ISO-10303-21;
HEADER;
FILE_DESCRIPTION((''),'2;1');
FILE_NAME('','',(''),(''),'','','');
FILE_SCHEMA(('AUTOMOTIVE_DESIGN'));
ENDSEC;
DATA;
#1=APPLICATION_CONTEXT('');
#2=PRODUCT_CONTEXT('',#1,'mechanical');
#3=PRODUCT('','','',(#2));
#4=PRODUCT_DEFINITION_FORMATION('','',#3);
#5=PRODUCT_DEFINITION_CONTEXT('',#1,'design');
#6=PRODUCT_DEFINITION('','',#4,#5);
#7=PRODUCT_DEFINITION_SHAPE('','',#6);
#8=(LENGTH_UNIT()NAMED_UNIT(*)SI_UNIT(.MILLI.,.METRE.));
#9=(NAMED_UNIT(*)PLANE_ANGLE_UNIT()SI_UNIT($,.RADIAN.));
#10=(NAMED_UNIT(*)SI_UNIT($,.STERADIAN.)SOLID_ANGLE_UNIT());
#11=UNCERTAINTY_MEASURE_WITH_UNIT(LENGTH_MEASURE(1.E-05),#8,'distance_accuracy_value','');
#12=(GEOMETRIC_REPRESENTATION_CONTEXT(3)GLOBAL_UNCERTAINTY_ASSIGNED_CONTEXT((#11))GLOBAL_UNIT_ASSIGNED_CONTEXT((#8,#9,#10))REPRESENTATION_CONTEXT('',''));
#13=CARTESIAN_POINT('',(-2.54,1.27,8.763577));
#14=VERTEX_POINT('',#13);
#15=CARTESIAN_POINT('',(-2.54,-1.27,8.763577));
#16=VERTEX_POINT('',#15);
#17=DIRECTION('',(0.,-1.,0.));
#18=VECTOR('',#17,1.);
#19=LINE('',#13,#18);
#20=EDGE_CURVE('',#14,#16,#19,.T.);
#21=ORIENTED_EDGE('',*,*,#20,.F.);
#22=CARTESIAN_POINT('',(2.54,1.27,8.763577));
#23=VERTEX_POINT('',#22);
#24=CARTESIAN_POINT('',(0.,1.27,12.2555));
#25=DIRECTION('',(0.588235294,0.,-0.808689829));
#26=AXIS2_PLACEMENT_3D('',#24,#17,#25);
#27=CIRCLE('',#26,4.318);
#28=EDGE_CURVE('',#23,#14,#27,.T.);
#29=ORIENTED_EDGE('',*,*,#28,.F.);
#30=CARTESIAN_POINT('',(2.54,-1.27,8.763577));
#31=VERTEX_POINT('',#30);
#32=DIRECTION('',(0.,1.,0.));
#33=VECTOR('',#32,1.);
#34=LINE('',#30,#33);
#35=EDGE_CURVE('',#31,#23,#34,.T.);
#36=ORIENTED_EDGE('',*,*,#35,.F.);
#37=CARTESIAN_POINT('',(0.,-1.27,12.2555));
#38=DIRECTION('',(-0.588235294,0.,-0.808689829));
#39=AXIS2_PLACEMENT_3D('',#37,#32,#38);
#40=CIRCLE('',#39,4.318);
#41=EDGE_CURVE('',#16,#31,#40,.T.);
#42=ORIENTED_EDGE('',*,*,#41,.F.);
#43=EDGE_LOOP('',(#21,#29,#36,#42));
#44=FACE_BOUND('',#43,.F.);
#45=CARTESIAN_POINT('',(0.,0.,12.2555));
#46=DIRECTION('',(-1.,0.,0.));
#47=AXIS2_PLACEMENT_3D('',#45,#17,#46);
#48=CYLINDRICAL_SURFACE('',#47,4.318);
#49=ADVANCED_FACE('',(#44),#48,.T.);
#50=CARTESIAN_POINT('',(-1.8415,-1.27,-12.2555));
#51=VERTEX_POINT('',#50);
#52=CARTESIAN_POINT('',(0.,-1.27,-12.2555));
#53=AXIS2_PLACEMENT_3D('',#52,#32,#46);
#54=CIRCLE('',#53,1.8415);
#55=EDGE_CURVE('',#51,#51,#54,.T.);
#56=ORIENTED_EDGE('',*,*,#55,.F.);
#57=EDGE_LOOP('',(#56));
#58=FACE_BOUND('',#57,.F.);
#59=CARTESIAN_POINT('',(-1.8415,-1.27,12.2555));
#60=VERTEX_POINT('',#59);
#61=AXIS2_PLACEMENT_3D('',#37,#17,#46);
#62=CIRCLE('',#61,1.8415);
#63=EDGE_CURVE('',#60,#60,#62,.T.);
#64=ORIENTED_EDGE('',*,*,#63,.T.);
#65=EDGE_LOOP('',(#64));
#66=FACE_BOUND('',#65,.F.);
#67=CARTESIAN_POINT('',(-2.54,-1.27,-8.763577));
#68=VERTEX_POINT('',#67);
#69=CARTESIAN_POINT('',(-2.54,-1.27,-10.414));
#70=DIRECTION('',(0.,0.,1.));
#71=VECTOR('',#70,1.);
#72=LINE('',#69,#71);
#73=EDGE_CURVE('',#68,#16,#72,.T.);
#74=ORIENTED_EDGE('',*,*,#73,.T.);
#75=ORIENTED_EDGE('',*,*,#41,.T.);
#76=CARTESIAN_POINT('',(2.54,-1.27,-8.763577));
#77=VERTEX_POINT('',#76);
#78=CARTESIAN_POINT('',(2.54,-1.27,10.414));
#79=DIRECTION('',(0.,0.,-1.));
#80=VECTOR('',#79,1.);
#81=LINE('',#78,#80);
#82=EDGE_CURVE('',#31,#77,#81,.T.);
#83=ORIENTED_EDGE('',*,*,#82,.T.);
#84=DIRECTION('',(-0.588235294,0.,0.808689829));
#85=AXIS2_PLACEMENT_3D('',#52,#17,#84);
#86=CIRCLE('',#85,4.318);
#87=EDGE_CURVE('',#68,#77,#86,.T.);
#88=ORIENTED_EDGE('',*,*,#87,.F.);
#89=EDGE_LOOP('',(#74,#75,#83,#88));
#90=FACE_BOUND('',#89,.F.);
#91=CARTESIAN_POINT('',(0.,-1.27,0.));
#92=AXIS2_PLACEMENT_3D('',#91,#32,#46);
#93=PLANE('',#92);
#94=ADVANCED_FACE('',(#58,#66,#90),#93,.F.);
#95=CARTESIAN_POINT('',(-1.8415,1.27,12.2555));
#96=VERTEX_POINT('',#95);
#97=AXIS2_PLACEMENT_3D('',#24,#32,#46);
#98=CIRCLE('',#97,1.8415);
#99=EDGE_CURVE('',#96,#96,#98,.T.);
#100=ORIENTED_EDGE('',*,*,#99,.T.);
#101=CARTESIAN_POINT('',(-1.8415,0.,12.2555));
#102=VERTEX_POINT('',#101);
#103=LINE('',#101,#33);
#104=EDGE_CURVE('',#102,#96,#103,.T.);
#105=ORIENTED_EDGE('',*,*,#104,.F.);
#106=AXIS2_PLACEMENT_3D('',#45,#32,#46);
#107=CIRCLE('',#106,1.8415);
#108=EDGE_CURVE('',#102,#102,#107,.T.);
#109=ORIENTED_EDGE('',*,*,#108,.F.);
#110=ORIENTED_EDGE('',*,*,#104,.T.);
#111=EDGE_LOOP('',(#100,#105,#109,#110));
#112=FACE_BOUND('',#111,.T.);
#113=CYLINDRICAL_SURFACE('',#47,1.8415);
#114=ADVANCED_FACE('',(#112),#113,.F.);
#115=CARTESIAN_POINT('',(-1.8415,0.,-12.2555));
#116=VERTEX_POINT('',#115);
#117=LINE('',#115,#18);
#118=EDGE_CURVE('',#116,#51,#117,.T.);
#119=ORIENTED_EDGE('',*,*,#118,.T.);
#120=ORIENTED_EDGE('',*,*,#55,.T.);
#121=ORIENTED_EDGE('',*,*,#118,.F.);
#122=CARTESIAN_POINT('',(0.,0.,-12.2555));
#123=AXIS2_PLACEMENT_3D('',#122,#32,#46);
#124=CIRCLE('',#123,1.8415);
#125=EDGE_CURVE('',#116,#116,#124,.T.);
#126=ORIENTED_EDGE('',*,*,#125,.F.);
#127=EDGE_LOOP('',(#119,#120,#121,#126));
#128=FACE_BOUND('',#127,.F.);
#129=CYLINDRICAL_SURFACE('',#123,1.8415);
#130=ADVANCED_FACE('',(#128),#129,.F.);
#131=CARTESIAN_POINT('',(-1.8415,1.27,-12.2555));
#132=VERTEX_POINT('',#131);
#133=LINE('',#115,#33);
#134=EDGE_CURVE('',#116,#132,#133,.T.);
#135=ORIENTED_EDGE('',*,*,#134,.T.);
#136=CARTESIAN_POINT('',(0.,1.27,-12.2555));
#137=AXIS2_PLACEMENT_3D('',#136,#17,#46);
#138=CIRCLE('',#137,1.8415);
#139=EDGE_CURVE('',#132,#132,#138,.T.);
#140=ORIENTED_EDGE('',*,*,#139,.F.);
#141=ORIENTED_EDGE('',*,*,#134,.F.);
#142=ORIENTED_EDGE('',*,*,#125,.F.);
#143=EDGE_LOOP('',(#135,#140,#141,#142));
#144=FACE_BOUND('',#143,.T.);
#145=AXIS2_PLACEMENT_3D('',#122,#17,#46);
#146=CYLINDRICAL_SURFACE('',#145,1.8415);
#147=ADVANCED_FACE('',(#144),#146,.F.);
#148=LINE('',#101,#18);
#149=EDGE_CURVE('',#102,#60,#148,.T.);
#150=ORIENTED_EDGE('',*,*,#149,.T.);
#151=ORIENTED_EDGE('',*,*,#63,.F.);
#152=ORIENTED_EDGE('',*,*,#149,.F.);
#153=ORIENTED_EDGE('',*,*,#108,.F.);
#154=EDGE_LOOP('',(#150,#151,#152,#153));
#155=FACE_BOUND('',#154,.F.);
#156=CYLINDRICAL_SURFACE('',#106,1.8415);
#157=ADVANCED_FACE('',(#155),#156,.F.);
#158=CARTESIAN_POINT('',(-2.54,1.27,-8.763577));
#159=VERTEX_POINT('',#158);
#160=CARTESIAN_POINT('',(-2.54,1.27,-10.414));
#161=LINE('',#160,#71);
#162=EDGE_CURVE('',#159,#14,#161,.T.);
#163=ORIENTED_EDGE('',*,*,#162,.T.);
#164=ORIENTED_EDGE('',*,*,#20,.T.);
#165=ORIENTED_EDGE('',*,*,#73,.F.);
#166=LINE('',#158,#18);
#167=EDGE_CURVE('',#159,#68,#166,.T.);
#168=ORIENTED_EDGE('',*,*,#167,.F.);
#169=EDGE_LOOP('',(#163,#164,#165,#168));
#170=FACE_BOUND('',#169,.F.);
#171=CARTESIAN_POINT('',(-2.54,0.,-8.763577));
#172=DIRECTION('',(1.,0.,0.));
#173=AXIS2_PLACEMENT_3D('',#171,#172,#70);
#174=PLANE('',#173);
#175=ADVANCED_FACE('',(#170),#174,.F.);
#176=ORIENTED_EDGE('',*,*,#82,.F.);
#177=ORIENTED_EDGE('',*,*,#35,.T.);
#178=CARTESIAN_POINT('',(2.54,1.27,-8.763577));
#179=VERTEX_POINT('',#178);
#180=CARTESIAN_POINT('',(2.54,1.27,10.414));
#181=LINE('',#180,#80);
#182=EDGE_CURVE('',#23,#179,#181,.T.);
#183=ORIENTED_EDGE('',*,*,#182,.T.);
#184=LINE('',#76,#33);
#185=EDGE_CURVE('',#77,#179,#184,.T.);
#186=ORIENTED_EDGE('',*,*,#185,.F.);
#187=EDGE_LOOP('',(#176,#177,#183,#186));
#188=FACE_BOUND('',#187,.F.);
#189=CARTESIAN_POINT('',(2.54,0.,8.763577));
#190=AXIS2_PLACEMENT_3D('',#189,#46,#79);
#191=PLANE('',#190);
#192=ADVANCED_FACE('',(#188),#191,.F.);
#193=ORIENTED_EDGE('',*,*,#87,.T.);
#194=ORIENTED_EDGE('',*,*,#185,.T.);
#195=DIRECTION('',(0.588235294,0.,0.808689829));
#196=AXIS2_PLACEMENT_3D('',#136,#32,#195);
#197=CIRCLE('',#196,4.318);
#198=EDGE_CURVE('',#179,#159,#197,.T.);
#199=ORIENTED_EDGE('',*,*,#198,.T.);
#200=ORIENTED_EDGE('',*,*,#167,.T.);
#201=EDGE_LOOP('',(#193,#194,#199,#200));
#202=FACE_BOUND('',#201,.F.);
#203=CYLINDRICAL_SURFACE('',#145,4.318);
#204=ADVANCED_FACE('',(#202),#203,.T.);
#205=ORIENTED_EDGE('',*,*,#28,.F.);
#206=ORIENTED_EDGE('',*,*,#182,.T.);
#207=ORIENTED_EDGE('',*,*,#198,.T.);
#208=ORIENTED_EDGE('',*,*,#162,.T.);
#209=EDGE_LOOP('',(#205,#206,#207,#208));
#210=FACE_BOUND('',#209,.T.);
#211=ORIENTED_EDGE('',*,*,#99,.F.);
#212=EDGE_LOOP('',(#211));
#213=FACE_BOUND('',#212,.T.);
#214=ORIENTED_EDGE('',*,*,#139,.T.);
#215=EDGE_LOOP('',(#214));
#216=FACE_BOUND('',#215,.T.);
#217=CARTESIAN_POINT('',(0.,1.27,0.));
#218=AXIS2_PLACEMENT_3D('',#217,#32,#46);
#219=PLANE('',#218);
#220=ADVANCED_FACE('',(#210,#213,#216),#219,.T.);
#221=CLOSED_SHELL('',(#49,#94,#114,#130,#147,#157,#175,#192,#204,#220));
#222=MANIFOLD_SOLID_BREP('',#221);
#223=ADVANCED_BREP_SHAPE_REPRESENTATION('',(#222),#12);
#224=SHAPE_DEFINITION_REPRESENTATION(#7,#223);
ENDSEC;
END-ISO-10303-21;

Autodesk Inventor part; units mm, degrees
ref_plane "YZ Plane" through (0, 0, 0) normal (1, 0, 0) x (0, 1, 0)
ref_plane "XZ Plane" through (0, 0, 0) normal (0, 1, 0) x (-1, 0, 0)
ref_plane "XY Plane" through (0, 0, 0) normal (0, 0, 1) x (1, 0, 0)
sketch "Sketch1" plane through (0, 0, 0) normal (0, 1, 0) x (-1, 0, 0)
  line L0 (2.54, 10.414) -> (-2.54, 10.414)
  line L1 (-2.54, 10.414) -> (-2.54, -10.414)
  line L2 (-2.54, -10.414) -> (2.54, -10.414)
  line L3 (2.54, -10.414) -> (2.54, 10.414)
  circle A0 centre (0, 12.2555) radius 1.8415
  circle A1 centre (0, -12.2555) radius 1.8415
  circle A2 centre (0, -12.2555) radius 4.318
  circle A3 centre (0, 12.2555) radius 4.318
  point P0 (0, 0)
  point P1 (0, 10.414)
  point P2 (0, -10.414)
  dimension "d6" = 3.683
  dimension "d0" = 10.414
  dimension "d1" = 20.828
  dimension "d2" = 10.414
  dimension "d3" = 5.08
  dimension "d4" = 2.54
  dimension "d5" = 2.54
  dimension "d7" = 8.636
extrude "Extrusion1" add sketch "Sketch1" along normal blind 1.27 and the other way blind 1.27
equation "\"d0\" = d2"
equation "\"d4\" = d5"
properties part number "conneectors"
